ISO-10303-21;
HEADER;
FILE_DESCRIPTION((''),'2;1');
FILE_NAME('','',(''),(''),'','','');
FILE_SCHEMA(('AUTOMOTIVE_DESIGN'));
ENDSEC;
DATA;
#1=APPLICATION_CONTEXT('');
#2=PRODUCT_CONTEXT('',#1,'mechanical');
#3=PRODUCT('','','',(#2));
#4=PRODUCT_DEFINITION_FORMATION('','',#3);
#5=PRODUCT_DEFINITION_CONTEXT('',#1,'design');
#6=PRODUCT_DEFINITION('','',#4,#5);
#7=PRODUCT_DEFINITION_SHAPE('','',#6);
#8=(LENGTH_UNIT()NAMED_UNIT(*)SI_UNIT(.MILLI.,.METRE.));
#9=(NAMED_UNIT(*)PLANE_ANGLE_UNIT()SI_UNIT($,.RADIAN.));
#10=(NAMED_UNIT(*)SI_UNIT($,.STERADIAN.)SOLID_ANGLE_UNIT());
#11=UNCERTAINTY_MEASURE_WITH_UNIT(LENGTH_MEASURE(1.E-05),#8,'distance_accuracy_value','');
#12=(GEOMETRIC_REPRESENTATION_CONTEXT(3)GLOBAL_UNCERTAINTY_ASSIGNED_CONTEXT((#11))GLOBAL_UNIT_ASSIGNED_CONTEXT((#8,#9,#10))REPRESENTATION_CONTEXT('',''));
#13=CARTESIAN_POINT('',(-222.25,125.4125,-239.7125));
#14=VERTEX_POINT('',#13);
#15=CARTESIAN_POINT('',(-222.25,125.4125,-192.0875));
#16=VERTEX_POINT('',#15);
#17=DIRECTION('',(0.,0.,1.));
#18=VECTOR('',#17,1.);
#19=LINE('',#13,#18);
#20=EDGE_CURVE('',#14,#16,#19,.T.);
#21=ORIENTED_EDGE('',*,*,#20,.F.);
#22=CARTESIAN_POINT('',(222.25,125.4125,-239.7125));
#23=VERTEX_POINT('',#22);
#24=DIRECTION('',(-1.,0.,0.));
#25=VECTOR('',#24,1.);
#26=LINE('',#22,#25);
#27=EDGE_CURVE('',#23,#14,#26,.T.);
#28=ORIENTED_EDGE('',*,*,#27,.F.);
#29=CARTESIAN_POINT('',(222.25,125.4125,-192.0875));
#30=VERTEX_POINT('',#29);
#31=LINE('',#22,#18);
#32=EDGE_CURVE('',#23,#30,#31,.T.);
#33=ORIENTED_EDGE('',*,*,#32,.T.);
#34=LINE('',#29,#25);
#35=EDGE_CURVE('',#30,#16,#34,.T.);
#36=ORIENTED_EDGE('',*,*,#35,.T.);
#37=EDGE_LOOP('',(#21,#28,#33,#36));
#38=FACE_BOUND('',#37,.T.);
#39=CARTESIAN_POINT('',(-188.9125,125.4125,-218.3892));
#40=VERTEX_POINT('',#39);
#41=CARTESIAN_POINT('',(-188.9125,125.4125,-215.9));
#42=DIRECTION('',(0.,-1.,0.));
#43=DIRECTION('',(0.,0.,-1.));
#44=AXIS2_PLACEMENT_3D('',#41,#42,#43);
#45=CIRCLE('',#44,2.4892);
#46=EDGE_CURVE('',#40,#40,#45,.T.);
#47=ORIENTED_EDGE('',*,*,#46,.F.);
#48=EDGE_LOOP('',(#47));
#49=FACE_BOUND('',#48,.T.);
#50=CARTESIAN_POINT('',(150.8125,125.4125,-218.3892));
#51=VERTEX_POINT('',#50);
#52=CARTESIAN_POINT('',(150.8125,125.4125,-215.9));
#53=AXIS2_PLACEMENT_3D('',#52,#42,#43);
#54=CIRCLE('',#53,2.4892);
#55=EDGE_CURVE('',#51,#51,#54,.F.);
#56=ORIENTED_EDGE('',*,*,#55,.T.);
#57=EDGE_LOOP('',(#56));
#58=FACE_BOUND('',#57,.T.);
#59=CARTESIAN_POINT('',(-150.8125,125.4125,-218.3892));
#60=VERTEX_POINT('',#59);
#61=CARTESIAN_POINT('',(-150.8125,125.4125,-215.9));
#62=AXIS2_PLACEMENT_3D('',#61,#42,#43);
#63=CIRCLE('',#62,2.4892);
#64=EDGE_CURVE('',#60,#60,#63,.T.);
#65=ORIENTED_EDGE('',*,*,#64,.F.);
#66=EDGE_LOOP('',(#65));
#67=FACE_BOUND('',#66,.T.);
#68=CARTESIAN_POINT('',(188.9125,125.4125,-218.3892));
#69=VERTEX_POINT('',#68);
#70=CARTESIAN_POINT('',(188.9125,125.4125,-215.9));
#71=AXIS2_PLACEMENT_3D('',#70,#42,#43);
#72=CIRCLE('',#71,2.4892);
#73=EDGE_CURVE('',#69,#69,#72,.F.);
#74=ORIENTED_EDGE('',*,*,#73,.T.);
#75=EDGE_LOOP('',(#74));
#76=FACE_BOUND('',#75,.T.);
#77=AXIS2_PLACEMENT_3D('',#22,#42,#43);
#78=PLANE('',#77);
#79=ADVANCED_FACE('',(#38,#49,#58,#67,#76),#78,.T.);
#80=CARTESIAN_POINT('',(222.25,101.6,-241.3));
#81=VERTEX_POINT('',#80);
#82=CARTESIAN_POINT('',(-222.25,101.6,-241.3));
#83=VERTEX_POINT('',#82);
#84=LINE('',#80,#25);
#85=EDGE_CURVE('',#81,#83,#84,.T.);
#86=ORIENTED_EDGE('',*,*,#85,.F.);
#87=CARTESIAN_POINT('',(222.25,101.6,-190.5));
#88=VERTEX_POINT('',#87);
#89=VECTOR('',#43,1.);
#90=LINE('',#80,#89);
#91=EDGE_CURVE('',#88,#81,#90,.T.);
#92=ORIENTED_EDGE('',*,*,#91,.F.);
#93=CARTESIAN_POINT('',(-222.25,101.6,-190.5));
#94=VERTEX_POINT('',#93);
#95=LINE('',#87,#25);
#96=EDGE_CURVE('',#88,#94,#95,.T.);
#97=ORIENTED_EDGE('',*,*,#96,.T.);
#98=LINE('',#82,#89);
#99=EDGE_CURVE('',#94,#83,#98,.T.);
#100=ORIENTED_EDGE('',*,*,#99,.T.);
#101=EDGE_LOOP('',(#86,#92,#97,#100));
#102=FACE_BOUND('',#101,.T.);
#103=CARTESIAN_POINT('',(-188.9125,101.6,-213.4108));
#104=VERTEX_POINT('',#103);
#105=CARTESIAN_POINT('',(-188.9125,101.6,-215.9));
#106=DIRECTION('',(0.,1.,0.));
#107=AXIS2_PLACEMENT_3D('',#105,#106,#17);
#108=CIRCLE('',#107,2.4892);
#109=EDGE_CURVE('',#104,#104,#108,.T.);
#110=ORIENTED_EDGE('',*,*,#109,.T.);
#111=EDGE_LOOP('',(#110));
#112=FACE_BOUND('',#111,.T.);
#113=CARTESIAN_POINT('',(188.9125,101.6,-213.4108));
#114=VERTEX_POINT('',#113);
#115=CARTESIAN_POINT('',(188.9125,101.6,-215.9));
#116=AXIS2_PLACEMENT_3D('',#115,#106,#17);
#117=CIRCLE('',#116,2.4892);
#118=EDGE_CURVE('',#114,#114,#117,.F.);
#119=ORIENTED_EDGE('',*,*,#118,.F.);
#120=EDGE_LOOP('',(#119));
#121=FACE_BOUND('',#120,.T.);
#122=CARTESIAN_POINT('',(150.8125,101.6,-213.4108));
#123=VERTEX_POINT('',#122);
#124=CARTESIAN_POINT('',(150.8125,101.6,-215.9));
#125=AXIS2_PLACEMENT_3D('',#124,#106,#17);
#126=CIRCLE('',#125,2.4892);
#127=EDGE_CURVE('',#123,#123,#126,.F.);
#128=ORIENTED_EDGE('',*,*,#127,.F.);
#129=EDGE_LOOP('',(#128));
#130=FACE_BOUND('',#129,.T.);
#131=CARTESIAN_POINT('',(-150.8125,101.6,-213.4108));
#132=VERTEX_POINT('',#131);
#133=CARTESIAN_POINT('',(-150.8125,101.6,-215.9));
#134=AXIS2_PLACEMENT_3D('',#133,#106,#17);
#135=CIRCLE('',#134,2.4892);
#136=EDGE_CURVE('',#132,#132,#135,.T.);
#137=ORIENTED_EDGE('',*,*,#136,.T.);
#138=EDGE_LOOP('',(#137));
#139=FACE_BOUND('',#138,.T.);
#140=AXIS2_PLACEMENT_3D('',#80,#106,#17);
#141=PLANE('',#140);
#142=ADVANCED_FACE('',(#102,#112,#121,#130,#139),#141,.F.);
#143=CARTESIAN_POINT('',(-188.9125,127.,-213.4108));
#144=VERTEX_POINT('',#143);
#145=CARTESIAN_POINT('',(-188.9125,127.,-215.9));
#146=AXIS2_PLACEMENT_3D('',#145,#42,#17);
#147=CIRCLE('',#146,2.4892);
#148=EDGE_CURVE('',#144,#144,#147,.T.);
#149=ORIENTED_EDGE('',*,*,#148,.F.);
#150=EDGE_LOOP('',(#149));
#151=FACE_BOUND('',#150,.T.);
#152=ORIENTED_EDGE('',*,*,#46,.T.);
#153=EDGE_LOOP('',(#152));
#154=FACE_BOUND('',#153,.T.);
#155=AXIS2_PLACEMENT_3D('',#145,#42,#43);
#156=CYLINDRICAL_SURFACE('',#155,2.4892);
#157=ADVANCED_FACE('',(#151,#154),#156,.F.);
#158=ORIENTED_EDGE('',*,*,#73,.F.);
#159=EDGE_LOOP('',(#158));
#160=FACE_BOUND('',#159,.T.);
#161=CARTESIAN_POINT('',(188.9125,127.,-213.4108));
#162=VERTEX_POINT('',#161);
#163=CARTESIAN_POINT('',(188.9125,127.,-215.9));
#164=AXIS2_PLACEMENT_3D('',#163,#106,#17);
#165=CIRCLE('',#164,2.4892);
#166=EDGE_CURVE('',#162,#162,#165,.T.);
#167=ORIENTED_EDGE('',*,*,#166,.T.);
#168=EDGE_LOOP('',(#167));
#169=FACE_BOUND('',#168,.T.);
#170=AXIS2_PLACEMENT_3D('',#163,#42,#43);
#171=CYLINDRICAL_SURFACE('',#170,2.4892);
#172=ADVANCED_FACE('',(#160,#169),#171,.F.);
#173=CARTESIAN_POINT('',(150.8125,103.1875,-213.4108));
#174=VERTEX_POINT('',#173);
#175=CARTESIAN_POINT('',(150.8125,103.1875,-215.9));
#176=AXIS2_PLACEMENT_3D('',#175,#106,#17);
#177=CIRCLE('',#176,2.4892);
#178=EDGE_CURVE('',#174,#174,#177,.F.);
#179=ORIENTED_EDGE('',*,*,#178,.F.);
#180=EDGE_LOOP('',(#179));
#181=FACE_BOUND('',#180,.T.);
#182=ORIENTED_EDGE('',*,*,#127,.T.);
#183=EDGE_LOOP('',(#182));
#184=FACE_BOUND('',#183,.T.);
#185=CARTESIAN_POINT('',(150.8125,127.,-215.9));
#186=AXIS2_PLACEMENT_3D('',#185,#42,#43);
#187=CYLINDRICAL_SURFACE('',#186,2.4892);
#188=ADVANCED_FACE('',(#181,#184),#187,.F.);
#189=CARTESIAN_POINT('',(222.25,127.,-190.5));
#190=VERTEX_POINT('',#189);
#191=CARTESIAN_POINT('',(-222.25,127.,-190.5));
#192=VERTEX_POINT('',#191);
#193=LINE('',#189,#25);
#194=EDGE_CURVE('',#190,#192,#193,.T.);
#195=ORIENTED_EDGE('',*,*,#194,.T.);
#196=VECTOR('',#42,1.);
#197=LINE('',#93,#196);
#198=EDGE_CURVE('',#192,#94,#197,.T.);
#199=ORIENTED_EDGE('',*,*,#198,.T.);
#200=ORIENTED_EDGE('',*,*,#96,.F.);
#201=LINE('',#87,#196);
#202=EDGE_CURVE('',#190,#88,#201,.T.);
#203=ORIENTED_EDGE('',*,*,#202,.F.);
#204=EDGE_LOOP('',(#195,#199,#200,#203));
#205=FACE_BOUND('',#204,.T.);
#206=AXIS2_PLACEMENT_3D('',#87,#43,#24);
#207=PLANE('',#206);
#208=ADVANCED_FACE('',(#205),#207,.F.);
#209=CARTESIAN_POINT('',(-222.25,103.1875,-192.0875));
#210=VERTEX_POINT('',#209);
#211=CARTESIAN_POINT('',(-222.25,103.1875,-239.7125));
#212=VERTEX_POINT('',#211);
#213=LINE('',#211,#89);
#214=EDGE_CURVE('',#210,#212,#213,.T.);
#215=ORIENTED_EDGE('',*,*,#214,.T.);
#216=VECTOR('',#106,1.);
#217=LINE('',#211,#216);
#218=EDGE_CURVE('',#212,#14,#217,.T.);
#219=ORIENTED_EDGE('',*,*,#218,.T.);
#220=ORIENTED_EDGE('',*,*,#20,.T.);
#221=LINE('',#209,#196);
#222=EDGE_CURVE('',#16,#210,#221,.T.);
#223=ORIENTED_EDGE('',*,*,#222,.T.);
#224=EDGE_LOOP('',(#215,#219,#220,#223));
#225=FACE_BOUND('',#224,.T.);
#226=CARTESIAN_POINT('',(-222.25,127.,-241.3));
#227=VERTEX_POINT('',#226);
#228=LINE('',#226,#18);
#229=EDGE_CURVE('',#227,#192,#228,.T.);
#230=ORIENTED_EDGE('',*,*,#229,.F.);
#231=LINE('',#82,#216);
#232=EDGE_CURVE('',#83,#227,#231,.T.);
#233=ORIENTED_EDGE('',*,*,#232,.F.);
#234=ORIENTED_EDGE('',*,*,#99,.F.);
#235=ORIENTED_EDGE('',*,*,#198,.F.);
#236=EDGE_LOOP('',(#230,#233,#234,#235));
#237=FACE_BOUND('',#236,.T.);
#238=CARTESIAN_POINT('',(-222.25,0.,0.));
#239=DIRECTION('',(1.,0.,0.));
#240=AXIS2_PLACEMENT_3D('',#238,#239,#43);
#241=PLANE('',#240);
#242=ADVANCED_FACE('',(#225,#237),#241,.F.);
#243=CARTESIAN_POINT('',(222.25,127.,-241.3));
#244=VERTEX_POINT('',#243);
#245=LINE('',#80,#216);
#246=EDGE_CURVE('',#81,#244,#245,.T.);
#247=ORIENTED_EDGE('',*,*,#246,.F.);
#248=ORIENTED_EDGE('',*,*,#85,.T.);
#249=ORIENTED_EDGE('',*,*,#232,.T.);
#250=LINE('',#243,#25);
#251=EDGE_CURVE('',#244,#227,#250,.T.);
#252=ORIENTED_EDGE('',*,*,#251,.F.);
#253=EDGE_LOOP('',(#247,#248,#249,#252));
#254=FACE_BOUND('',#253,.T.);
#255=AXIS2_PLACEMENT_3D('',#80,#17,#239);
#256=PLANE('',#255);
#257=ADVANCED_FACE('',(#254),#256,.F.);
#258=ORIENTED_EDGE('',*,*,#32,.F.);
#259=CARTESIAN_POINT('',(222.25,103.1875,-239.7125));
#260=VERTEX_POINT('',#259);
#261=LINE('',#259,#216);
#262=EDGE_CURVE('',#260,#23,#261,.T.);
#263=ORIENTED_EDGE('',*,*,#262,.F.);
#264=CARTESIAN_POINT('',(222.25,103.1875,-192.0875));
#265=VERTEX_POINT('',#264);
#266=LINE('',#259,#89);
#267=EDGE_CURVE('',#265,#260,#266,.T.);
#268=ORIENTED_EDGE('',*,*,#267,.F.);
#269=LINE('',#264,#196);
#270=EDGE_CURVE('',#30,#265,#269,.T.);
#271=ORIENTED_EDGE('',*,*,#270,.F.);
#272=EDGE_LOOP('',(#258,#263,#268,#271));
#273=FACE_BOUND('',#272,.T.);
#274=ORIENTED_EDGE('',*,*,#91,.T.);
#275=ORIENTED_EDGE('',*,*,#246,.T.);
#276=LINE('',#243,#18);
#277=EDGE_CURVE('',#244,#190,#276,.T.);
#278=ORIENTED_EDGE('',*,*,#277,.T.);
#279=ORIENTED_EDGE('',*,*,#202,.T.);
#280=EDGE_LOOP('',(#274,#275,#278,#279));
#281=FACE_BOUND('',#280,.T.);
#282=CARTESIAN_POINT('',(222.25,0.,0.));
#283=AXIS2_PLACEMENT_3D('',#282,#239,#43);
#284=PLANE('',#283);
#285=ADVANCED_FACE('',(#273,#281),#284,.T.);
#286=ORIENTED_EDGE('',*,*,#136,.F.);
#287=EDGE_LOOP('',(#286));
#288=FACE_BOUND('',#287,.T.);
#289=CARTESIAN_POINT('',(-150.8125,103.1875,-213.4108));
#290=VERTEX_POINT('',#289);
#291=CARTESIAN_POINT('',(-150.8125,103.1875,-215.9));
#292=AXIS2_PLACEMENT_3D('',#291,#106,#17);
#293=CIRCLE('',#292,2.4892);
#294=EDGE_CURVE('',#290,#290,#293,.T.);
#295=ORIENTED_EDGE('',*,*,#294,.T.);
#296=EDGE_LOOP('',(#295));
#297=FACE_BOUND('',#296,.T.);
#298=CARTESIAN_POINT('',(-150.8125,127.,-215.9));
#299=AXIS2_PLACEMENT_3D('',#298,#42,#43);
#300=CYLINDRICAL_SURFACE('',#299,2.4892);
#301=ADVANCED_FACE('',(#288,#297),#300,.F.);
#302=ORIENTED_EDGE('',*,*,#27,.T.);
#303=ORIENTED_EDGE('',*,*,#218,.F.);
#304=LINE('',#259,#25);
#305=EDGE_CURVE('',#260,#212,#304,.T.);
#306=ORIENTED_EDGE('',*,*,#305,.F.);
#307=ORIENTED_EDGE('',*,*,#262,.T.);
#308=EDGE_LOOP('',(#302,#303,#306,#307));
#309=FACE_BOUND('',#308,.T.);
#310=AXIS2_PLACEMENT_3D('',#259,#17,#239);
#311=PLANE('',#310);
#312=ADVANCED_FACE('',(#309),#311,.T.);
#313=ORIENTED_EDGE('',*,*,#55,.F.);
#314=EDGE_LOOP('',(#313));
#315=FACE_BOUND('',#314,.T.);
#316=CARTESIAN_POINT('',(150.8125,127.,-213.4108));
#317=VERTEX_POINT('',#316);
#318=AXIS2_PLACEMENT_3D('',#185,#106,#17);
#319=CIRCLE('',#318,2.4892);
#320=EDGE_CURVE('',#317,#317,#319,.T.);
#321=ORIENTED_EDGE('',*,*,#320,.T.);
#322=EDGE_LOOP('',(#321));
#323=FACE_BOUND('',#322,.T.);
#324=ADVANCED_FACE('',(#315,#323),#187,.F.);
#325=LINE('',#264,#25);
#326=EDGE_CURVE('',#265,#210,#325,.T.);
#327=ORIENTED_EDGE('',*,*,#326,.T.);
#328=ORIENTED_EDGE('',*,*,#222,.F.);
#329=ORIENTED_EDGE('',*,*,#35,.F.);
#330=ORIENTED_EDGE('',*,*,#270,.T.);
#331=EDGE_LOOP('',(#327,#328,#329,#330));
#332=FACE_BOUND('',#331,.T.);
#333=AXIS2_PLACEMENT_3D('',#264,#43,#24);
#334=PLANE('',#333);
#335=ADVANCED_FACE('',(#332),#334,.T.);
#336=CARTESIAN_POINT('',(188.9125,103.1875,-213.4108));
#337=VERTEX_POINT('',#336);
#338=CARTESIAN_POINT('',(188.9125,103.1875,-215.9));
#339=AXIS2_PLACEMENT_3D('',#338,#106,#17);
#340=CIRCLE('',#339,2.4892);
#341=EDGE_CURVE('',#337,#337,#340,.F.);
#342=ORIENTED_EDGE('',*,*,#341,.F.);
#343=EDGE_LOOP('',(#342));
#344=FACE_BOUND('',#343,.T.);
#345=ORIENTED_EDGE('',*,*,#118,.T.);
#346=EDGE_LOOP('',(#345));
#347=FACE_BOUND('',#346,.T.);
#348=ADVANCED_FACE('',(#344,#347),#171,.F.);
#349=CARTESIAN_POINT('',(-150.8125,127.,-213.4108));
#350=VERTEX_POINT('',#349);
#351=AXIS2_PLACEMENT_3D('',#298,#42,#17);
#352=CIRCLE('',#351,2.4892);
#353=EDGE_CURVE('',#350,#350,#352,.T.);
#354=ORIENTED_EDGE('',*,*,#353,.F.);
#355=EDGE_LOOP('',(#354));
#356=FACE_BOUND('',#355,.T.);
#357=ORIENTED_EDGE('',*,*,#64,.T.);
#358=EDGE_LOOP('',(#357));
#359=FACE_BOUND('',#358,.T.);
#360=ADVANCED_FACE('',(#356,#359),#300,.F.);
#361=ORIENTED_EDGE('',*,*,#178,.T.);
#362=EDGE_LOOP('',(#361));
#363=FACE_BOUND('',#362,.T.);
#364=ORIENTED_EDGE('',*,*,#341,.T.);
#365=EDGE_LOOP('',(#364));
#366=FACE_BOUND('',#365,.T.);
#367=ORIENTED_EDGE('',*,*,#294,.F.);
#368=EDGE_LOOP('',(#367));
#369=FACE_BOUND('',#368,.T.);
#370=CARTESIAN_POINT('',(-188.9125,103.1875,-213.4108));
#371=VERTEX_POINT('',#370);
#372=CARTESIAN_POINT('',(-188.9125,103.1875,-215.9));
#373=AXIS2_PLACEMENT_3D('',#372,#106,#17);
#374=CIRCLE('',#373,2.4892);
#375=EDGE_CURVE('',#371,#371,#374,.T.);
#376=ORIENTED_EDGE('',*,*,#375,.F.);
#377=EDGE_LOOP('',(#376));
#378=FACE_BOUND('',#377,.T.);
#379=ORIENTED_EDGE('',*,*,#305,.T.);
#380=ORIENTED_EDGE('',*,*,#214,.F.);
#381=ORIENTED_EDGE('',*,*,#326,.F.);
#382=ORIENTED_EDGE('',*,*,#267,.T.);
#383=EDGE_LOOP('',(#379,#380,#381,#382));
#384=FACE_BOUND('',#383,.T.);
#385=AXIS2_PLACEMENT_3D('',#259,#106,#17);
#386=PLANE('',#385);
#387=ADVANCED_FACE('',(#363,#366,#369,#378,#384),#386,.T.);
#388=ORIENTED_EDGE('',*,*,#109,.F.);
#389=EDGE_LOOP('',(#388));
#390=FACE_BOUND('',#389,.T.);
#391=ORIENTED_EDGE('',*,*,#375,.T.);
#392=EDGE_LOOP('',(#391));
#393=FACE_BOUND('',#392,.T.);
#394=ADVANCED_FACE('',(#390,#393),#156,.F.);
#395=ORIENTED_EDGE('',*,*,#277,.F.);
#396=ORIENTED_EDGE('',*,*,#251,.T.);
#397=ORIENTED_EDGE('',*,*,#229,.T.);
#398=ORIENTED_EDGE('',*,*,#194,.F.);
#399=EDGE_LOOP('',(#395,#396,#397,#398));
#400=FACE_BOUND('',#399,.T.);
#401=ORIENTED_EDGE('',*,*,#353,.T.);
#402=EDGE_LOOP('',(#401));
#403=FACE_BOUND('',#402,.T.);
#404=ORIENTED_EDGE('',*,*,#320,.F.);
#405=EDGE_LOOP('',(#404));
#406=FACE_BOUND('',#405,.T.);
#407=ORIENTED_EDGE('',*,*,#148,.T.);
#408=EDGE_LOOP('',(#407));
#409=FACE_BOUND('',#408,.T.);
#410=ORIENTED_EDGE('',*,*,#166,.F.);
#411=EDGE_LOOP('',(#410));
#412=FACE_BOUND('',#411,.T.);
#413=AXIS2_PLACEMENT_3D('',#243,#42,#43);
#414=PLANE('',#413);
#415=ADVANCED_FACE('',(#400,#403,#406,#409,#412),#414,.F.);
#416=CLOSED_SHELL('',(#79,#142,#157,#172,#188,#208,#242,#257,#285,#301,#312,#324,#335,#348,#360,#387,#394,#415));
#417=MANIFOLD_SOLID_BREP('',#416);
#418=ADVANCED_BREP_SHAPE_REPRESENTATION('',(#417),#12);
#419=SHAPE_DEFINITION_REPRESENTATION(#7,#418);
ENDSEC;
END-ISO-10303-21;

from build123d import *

# Parameters (mm, degrees)
BOSS_EXTRUDE1_DEPTH      = 222.25
BOSS_EXTRUDE1_DEPTH_BACK = 222.25
SKETCH2_W                = 50.8
SKETCH2_H                = 25.4
SKETCH2_W_2              = 47.625
SKETCH2_H_2              = 22.225
SKETCH4_R                = 2.4892
CUT_EXTRUDE2_DEPTH       = 352.780830205


with BuildPart() as part:
    # Sketch2 → Boss-Extrude1 (new, two sides: drawn at the far end of the back side and taken through both)
    with BuildSketch(Plane(origin=(0, 0, 0), x_dir=(0, 0, -1), z_dir=(1, 0, 0)).offset(-BOSS_EXTRUDE1_DEPTH_BACK)):
        with Locations((215.9, 114.3)):
            Rectangle(SKETCH2_W, SKETCH2_H)
        with Locations((215.9, 114.3)):
            Rectangle(SKETCH2_W_2, SKETCH2_H_2, mode=Mode.SUBTRACT)
    extrude(amount=BOSS_EXTRUDE1_DEPTH + BOSS_EXTRUDE1_DEPTH_BACK)

    # Sketch4 → Cut-Extrude2 (cut, through all)
    with BuildSketch(Plane(origin=(0, 0, 0), x_dir=(1, 0, 0), z_dir=(0, 1, 0))):
        with Locations(Location((150.8125, 215.9, 0), (0, 0, 270))):
            Circle(SKETCH4_R)
        with Locations(Location((188.9125, 215.9, 0), (0, 0, 270))):
            Circle(SKETCH4_R)
    cut_extrude2 = extrude(amount=CUT_EXTRUDE2_DEPTH, mode=Mode.SUBTRACT)

    # Mirror2: Cut-Extrude2 across plane
    add(cut_extrude2.mirror(Plane(origin=(0, 0, 0), x_dir=(0, 0, 1), z_dir=(1, 0, 0))), mode=Mode.SUBTRACT)


solid = part.part
